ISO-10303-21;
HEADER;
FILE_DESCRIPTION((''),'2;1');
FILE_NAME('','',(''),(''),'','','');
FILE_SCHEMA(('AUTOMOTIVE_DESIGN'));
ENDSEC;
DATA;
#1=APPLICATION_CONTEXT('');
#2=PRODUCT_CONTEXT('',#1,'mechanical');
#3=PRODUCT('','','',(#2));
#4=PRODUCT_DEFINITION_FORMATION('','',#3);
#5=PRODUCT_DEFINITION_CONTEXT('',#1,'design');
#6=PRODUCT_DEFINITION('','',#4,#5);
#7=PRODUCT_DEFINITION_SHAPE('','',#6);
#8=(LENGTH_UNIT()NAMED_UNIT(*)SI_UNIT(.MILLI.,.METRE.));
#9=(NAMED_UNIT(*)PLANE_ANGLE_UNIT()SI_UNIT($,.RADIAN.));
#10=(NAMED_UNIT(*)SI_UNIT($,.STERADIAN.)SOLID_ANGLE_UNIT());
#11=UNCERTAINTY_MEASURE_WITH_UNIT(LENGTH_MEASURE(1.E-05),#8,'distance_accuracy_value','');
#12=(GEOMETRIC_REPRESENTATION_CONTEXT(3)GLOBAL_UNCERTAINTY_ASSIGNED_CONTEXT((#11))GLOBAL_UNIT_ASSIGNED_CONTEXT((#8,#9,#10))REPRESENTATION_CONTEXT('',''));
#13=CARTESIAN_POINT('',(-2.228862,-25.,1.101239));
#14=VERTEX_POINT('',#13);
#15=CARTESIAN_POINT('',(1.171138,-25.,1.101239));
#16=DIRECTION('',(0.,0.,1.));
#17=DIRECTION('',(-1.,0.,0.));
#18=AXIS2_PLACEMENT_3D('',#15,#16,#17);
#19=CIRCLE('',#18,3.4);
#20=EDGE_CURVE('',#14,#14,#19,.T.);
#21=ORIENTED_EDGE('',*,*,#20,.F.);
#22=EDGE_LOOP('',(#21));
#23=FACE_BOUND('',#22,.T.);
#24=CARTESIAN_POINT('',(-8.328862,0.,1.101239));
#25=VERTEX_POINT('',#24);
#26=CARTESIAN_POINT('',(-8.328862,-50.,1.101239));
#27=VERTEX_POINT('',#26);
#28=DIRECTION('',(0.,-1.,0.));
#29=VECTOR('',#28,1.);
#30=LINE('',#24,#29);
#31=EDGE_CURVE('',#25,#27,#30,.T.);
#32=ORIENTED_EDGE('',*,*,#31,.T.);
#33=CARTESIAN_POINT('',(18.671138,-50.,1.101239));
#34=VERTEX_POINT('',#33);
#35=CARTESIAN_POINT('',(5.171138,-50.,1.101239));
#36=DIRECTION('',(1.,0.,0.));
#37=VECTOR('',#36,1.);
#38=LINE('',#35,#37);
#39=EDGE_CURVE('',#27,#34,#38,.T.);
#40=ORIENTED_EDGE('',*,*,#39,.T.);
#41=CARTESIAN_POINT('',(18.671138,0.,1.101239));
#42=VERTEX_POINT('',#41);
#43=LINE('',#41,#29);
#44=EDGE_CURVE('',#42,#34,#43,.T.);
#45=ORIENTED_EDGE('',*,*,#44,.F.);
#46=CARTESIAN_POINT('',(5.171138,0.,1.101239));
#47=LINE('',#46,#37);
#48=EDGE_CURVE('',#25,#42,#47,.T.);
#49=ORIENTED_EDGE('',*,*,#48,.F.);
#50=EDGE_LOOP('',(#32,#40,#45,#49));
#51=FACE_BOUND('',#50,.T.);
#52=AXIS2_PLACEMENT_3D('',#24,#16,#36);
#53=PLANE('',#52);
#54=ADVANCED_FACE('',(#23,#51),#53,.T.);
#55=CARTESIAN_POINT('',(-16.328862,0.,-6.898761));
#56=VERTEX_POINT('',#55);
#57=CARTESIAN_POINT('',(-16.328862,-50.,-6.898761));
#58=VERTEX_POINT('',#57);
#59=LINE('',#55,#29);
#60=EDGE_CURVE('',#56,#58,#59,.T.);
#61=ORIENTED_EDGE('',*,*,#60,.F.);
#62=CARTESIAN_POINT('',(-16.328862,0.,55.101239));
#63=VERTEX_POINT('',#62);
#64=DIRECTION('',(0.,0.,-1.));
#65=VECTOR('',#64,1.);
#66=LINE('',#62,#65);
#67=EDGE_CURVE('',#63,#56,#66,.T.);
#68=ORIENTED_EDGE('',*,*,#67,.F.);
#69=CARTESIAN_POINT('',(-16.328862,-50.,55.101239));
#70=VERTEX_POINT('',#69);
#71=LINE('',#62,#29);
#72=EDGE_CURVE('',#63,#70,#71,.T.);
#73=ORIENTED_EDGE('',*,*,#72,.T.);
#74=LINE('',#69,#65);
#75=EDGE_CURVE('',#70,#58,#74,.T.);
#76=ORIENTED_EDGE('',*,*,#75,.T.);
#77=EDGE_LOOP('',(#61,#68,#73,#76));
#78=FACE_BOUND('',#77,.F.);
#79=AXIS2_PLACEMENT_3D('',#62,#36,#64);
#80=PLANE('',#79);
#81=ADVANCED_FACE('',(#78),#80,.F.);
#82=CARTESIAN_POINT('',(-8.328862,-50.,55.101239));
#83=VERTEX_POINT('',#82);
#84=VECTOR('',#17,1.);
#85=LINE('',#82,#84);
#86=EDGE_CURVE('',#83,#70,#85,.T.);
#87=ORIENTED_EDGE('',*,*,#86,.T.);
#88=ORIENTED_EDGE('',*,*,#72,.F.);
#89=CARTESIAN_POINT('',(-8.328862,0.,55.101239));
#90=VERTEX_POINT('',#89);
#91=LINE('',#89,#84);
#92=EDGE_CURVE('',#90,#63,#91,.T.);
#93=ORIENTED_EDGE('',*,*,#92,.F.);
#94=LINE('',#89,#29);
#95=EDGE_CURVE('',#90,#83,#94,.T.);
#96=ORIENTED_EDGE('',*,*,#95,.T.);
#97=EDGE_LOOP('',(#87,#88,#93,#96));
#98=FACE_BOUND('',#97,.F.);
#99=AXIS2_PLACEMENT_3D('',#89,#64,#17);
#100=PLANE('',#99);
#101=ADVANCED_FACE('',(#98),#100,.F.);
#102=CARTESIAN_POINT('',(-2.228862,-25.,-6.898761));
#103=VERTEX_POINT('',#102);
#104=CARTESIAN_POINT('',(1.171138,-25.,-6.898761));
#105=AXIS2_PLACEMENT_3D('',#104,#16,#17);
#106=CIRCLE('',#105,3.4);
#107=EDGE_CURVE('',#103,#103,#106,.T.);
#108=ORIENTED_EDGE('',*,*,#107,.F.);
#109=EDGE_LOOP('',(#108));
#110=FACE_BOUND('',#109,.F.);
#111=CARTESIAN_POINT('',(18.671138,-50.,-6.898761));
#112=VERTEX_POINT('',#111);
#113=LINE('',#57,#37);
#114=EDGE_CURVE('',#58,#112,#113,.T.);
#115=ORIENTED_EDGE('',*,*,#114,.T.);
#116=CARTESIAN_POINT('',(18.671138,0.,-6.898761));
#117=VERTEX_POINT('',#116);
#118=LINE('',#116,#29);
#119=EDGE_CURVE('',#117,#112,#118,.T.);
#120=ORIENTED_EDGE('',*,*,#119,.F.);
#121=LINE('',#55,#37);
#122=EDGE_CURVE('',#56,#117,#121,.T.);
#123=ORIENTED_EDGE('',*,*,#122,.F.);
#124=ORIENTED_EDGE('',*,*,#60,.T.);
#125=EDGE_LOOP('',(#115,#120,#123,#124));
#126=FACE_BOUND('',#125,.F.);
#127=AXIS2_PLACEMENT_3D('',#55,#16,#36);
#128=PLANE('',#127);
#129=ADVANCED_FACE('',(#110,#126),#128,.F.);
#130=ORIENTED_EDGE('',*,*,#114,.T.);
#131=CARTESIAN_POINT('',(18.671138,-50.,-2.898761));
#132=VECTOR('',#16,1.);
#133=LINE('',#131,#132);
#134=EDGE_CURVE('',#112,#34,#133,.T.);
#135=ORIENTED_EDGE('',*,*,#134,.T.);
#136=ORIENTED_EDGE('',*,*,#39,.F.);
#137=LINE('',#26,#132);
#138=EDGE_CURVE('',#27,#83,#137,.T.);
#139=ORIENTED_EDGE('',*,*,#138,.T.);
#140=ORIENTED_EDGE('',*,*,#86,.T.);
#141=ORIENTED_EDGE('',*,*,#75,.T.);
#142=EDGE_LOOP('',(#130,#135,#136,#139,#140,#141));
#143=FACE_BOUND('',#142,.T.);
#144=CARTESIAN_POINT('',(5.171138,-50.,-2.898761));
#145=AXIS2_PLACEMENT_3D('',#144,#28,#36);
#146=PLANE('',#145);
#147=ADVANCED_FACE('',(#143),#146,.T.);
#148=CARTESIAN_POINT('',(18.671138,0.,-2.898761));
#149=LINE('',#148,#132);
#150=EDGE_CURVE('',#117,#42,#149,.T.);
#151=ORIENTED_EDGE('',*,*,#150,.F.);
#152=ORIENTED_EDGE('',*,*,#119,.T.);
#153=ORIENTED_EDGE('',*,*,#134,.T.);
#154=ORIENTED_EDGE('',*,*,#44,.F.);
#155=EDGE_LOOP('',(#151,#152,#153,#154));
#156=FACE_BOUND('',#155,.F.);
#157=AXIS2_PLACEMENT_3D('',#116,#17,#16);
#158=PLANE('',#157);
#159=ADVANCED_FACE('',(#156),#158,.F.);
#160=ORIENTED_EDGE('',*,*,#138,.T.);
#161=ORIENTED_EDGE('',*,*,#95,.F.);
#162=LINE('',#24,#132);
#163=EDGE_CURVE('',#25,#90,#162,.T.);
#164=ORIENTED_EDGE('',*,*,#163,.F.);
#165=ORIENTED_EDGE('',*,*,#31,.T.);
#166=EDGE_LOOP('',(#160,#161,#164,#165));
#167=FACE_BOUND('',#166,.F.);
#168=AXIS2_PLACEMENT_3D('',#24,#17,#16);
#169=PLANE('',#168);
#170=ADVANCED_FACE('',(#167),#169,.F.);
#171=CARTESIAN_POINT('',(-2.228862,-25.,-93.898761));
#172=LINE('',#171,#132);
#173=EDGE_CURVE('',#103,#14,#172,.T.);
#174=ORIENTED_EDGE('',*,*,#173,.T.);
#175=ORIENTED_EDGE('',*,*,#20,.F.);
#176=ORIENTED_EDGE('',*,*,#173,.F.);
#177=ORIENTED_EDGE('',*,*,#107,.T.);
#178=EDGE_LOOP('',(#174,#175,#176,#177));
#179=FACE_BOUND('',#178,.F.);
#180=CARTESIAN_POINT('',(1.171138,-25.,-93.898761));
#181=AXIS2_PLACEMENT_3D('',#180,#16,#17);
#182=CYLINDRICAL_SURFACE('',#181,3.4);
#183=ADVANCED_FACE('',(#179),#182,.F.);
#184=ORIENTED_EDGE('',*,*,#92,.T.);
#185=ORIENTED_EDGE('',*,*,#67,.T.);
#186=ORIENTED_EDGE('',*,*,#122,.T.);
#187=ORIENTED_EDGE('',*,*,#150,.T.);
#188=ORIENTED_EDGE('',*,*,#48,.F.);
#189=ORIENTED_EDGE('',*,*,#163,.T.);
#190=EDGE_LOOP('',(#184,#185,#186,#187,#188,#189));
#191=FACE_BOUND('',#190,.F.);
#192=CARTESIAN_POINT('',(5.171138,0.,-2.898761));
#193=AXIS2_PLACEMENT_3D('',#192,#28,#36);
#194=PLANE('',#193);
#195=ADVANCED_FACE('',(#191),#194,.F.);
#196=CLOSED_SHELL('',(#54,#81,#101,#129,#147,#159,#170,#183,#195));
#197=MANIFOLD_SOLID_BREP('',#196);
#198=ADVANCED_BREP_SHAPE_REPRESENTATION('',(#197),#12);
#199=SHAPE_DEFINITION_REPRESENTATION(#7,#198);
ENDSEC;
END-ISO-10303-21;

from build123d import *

# Parameters (mm, degrees)
F0_W     = 27
F0_H     = 8
F1_DEPTH = 50
F3_D     = 6.8


with BuildPart() as f1:
    # F0 (on Front) → F1 (new body)
    with BuildSketch(Plane.XZ):
        with Locations((5.1711380631, -2.8987607956)):
            Rectangle(F0_W, F0_H)
        Polygon((-8.3288619369, -6.8987607956), (-8.3288619369, 1.1012392044), (-8.3288619369, 55.1012392044), (-16.3288619369, 55.1012392044), (-16.3288619369, -6.8987607956), align=None)
    extrude(amount=F1_DEPTH)

    # F3 (through all)
    with Locations(Plane(origin=(0, 0, -6.8987607956), x_dir=(1, 0, 0), z_dir=(0, 0, -1))):
        with Locations((1.1711380631, 25)):
            Hole(F3_D / 2)


solid = f1.part
